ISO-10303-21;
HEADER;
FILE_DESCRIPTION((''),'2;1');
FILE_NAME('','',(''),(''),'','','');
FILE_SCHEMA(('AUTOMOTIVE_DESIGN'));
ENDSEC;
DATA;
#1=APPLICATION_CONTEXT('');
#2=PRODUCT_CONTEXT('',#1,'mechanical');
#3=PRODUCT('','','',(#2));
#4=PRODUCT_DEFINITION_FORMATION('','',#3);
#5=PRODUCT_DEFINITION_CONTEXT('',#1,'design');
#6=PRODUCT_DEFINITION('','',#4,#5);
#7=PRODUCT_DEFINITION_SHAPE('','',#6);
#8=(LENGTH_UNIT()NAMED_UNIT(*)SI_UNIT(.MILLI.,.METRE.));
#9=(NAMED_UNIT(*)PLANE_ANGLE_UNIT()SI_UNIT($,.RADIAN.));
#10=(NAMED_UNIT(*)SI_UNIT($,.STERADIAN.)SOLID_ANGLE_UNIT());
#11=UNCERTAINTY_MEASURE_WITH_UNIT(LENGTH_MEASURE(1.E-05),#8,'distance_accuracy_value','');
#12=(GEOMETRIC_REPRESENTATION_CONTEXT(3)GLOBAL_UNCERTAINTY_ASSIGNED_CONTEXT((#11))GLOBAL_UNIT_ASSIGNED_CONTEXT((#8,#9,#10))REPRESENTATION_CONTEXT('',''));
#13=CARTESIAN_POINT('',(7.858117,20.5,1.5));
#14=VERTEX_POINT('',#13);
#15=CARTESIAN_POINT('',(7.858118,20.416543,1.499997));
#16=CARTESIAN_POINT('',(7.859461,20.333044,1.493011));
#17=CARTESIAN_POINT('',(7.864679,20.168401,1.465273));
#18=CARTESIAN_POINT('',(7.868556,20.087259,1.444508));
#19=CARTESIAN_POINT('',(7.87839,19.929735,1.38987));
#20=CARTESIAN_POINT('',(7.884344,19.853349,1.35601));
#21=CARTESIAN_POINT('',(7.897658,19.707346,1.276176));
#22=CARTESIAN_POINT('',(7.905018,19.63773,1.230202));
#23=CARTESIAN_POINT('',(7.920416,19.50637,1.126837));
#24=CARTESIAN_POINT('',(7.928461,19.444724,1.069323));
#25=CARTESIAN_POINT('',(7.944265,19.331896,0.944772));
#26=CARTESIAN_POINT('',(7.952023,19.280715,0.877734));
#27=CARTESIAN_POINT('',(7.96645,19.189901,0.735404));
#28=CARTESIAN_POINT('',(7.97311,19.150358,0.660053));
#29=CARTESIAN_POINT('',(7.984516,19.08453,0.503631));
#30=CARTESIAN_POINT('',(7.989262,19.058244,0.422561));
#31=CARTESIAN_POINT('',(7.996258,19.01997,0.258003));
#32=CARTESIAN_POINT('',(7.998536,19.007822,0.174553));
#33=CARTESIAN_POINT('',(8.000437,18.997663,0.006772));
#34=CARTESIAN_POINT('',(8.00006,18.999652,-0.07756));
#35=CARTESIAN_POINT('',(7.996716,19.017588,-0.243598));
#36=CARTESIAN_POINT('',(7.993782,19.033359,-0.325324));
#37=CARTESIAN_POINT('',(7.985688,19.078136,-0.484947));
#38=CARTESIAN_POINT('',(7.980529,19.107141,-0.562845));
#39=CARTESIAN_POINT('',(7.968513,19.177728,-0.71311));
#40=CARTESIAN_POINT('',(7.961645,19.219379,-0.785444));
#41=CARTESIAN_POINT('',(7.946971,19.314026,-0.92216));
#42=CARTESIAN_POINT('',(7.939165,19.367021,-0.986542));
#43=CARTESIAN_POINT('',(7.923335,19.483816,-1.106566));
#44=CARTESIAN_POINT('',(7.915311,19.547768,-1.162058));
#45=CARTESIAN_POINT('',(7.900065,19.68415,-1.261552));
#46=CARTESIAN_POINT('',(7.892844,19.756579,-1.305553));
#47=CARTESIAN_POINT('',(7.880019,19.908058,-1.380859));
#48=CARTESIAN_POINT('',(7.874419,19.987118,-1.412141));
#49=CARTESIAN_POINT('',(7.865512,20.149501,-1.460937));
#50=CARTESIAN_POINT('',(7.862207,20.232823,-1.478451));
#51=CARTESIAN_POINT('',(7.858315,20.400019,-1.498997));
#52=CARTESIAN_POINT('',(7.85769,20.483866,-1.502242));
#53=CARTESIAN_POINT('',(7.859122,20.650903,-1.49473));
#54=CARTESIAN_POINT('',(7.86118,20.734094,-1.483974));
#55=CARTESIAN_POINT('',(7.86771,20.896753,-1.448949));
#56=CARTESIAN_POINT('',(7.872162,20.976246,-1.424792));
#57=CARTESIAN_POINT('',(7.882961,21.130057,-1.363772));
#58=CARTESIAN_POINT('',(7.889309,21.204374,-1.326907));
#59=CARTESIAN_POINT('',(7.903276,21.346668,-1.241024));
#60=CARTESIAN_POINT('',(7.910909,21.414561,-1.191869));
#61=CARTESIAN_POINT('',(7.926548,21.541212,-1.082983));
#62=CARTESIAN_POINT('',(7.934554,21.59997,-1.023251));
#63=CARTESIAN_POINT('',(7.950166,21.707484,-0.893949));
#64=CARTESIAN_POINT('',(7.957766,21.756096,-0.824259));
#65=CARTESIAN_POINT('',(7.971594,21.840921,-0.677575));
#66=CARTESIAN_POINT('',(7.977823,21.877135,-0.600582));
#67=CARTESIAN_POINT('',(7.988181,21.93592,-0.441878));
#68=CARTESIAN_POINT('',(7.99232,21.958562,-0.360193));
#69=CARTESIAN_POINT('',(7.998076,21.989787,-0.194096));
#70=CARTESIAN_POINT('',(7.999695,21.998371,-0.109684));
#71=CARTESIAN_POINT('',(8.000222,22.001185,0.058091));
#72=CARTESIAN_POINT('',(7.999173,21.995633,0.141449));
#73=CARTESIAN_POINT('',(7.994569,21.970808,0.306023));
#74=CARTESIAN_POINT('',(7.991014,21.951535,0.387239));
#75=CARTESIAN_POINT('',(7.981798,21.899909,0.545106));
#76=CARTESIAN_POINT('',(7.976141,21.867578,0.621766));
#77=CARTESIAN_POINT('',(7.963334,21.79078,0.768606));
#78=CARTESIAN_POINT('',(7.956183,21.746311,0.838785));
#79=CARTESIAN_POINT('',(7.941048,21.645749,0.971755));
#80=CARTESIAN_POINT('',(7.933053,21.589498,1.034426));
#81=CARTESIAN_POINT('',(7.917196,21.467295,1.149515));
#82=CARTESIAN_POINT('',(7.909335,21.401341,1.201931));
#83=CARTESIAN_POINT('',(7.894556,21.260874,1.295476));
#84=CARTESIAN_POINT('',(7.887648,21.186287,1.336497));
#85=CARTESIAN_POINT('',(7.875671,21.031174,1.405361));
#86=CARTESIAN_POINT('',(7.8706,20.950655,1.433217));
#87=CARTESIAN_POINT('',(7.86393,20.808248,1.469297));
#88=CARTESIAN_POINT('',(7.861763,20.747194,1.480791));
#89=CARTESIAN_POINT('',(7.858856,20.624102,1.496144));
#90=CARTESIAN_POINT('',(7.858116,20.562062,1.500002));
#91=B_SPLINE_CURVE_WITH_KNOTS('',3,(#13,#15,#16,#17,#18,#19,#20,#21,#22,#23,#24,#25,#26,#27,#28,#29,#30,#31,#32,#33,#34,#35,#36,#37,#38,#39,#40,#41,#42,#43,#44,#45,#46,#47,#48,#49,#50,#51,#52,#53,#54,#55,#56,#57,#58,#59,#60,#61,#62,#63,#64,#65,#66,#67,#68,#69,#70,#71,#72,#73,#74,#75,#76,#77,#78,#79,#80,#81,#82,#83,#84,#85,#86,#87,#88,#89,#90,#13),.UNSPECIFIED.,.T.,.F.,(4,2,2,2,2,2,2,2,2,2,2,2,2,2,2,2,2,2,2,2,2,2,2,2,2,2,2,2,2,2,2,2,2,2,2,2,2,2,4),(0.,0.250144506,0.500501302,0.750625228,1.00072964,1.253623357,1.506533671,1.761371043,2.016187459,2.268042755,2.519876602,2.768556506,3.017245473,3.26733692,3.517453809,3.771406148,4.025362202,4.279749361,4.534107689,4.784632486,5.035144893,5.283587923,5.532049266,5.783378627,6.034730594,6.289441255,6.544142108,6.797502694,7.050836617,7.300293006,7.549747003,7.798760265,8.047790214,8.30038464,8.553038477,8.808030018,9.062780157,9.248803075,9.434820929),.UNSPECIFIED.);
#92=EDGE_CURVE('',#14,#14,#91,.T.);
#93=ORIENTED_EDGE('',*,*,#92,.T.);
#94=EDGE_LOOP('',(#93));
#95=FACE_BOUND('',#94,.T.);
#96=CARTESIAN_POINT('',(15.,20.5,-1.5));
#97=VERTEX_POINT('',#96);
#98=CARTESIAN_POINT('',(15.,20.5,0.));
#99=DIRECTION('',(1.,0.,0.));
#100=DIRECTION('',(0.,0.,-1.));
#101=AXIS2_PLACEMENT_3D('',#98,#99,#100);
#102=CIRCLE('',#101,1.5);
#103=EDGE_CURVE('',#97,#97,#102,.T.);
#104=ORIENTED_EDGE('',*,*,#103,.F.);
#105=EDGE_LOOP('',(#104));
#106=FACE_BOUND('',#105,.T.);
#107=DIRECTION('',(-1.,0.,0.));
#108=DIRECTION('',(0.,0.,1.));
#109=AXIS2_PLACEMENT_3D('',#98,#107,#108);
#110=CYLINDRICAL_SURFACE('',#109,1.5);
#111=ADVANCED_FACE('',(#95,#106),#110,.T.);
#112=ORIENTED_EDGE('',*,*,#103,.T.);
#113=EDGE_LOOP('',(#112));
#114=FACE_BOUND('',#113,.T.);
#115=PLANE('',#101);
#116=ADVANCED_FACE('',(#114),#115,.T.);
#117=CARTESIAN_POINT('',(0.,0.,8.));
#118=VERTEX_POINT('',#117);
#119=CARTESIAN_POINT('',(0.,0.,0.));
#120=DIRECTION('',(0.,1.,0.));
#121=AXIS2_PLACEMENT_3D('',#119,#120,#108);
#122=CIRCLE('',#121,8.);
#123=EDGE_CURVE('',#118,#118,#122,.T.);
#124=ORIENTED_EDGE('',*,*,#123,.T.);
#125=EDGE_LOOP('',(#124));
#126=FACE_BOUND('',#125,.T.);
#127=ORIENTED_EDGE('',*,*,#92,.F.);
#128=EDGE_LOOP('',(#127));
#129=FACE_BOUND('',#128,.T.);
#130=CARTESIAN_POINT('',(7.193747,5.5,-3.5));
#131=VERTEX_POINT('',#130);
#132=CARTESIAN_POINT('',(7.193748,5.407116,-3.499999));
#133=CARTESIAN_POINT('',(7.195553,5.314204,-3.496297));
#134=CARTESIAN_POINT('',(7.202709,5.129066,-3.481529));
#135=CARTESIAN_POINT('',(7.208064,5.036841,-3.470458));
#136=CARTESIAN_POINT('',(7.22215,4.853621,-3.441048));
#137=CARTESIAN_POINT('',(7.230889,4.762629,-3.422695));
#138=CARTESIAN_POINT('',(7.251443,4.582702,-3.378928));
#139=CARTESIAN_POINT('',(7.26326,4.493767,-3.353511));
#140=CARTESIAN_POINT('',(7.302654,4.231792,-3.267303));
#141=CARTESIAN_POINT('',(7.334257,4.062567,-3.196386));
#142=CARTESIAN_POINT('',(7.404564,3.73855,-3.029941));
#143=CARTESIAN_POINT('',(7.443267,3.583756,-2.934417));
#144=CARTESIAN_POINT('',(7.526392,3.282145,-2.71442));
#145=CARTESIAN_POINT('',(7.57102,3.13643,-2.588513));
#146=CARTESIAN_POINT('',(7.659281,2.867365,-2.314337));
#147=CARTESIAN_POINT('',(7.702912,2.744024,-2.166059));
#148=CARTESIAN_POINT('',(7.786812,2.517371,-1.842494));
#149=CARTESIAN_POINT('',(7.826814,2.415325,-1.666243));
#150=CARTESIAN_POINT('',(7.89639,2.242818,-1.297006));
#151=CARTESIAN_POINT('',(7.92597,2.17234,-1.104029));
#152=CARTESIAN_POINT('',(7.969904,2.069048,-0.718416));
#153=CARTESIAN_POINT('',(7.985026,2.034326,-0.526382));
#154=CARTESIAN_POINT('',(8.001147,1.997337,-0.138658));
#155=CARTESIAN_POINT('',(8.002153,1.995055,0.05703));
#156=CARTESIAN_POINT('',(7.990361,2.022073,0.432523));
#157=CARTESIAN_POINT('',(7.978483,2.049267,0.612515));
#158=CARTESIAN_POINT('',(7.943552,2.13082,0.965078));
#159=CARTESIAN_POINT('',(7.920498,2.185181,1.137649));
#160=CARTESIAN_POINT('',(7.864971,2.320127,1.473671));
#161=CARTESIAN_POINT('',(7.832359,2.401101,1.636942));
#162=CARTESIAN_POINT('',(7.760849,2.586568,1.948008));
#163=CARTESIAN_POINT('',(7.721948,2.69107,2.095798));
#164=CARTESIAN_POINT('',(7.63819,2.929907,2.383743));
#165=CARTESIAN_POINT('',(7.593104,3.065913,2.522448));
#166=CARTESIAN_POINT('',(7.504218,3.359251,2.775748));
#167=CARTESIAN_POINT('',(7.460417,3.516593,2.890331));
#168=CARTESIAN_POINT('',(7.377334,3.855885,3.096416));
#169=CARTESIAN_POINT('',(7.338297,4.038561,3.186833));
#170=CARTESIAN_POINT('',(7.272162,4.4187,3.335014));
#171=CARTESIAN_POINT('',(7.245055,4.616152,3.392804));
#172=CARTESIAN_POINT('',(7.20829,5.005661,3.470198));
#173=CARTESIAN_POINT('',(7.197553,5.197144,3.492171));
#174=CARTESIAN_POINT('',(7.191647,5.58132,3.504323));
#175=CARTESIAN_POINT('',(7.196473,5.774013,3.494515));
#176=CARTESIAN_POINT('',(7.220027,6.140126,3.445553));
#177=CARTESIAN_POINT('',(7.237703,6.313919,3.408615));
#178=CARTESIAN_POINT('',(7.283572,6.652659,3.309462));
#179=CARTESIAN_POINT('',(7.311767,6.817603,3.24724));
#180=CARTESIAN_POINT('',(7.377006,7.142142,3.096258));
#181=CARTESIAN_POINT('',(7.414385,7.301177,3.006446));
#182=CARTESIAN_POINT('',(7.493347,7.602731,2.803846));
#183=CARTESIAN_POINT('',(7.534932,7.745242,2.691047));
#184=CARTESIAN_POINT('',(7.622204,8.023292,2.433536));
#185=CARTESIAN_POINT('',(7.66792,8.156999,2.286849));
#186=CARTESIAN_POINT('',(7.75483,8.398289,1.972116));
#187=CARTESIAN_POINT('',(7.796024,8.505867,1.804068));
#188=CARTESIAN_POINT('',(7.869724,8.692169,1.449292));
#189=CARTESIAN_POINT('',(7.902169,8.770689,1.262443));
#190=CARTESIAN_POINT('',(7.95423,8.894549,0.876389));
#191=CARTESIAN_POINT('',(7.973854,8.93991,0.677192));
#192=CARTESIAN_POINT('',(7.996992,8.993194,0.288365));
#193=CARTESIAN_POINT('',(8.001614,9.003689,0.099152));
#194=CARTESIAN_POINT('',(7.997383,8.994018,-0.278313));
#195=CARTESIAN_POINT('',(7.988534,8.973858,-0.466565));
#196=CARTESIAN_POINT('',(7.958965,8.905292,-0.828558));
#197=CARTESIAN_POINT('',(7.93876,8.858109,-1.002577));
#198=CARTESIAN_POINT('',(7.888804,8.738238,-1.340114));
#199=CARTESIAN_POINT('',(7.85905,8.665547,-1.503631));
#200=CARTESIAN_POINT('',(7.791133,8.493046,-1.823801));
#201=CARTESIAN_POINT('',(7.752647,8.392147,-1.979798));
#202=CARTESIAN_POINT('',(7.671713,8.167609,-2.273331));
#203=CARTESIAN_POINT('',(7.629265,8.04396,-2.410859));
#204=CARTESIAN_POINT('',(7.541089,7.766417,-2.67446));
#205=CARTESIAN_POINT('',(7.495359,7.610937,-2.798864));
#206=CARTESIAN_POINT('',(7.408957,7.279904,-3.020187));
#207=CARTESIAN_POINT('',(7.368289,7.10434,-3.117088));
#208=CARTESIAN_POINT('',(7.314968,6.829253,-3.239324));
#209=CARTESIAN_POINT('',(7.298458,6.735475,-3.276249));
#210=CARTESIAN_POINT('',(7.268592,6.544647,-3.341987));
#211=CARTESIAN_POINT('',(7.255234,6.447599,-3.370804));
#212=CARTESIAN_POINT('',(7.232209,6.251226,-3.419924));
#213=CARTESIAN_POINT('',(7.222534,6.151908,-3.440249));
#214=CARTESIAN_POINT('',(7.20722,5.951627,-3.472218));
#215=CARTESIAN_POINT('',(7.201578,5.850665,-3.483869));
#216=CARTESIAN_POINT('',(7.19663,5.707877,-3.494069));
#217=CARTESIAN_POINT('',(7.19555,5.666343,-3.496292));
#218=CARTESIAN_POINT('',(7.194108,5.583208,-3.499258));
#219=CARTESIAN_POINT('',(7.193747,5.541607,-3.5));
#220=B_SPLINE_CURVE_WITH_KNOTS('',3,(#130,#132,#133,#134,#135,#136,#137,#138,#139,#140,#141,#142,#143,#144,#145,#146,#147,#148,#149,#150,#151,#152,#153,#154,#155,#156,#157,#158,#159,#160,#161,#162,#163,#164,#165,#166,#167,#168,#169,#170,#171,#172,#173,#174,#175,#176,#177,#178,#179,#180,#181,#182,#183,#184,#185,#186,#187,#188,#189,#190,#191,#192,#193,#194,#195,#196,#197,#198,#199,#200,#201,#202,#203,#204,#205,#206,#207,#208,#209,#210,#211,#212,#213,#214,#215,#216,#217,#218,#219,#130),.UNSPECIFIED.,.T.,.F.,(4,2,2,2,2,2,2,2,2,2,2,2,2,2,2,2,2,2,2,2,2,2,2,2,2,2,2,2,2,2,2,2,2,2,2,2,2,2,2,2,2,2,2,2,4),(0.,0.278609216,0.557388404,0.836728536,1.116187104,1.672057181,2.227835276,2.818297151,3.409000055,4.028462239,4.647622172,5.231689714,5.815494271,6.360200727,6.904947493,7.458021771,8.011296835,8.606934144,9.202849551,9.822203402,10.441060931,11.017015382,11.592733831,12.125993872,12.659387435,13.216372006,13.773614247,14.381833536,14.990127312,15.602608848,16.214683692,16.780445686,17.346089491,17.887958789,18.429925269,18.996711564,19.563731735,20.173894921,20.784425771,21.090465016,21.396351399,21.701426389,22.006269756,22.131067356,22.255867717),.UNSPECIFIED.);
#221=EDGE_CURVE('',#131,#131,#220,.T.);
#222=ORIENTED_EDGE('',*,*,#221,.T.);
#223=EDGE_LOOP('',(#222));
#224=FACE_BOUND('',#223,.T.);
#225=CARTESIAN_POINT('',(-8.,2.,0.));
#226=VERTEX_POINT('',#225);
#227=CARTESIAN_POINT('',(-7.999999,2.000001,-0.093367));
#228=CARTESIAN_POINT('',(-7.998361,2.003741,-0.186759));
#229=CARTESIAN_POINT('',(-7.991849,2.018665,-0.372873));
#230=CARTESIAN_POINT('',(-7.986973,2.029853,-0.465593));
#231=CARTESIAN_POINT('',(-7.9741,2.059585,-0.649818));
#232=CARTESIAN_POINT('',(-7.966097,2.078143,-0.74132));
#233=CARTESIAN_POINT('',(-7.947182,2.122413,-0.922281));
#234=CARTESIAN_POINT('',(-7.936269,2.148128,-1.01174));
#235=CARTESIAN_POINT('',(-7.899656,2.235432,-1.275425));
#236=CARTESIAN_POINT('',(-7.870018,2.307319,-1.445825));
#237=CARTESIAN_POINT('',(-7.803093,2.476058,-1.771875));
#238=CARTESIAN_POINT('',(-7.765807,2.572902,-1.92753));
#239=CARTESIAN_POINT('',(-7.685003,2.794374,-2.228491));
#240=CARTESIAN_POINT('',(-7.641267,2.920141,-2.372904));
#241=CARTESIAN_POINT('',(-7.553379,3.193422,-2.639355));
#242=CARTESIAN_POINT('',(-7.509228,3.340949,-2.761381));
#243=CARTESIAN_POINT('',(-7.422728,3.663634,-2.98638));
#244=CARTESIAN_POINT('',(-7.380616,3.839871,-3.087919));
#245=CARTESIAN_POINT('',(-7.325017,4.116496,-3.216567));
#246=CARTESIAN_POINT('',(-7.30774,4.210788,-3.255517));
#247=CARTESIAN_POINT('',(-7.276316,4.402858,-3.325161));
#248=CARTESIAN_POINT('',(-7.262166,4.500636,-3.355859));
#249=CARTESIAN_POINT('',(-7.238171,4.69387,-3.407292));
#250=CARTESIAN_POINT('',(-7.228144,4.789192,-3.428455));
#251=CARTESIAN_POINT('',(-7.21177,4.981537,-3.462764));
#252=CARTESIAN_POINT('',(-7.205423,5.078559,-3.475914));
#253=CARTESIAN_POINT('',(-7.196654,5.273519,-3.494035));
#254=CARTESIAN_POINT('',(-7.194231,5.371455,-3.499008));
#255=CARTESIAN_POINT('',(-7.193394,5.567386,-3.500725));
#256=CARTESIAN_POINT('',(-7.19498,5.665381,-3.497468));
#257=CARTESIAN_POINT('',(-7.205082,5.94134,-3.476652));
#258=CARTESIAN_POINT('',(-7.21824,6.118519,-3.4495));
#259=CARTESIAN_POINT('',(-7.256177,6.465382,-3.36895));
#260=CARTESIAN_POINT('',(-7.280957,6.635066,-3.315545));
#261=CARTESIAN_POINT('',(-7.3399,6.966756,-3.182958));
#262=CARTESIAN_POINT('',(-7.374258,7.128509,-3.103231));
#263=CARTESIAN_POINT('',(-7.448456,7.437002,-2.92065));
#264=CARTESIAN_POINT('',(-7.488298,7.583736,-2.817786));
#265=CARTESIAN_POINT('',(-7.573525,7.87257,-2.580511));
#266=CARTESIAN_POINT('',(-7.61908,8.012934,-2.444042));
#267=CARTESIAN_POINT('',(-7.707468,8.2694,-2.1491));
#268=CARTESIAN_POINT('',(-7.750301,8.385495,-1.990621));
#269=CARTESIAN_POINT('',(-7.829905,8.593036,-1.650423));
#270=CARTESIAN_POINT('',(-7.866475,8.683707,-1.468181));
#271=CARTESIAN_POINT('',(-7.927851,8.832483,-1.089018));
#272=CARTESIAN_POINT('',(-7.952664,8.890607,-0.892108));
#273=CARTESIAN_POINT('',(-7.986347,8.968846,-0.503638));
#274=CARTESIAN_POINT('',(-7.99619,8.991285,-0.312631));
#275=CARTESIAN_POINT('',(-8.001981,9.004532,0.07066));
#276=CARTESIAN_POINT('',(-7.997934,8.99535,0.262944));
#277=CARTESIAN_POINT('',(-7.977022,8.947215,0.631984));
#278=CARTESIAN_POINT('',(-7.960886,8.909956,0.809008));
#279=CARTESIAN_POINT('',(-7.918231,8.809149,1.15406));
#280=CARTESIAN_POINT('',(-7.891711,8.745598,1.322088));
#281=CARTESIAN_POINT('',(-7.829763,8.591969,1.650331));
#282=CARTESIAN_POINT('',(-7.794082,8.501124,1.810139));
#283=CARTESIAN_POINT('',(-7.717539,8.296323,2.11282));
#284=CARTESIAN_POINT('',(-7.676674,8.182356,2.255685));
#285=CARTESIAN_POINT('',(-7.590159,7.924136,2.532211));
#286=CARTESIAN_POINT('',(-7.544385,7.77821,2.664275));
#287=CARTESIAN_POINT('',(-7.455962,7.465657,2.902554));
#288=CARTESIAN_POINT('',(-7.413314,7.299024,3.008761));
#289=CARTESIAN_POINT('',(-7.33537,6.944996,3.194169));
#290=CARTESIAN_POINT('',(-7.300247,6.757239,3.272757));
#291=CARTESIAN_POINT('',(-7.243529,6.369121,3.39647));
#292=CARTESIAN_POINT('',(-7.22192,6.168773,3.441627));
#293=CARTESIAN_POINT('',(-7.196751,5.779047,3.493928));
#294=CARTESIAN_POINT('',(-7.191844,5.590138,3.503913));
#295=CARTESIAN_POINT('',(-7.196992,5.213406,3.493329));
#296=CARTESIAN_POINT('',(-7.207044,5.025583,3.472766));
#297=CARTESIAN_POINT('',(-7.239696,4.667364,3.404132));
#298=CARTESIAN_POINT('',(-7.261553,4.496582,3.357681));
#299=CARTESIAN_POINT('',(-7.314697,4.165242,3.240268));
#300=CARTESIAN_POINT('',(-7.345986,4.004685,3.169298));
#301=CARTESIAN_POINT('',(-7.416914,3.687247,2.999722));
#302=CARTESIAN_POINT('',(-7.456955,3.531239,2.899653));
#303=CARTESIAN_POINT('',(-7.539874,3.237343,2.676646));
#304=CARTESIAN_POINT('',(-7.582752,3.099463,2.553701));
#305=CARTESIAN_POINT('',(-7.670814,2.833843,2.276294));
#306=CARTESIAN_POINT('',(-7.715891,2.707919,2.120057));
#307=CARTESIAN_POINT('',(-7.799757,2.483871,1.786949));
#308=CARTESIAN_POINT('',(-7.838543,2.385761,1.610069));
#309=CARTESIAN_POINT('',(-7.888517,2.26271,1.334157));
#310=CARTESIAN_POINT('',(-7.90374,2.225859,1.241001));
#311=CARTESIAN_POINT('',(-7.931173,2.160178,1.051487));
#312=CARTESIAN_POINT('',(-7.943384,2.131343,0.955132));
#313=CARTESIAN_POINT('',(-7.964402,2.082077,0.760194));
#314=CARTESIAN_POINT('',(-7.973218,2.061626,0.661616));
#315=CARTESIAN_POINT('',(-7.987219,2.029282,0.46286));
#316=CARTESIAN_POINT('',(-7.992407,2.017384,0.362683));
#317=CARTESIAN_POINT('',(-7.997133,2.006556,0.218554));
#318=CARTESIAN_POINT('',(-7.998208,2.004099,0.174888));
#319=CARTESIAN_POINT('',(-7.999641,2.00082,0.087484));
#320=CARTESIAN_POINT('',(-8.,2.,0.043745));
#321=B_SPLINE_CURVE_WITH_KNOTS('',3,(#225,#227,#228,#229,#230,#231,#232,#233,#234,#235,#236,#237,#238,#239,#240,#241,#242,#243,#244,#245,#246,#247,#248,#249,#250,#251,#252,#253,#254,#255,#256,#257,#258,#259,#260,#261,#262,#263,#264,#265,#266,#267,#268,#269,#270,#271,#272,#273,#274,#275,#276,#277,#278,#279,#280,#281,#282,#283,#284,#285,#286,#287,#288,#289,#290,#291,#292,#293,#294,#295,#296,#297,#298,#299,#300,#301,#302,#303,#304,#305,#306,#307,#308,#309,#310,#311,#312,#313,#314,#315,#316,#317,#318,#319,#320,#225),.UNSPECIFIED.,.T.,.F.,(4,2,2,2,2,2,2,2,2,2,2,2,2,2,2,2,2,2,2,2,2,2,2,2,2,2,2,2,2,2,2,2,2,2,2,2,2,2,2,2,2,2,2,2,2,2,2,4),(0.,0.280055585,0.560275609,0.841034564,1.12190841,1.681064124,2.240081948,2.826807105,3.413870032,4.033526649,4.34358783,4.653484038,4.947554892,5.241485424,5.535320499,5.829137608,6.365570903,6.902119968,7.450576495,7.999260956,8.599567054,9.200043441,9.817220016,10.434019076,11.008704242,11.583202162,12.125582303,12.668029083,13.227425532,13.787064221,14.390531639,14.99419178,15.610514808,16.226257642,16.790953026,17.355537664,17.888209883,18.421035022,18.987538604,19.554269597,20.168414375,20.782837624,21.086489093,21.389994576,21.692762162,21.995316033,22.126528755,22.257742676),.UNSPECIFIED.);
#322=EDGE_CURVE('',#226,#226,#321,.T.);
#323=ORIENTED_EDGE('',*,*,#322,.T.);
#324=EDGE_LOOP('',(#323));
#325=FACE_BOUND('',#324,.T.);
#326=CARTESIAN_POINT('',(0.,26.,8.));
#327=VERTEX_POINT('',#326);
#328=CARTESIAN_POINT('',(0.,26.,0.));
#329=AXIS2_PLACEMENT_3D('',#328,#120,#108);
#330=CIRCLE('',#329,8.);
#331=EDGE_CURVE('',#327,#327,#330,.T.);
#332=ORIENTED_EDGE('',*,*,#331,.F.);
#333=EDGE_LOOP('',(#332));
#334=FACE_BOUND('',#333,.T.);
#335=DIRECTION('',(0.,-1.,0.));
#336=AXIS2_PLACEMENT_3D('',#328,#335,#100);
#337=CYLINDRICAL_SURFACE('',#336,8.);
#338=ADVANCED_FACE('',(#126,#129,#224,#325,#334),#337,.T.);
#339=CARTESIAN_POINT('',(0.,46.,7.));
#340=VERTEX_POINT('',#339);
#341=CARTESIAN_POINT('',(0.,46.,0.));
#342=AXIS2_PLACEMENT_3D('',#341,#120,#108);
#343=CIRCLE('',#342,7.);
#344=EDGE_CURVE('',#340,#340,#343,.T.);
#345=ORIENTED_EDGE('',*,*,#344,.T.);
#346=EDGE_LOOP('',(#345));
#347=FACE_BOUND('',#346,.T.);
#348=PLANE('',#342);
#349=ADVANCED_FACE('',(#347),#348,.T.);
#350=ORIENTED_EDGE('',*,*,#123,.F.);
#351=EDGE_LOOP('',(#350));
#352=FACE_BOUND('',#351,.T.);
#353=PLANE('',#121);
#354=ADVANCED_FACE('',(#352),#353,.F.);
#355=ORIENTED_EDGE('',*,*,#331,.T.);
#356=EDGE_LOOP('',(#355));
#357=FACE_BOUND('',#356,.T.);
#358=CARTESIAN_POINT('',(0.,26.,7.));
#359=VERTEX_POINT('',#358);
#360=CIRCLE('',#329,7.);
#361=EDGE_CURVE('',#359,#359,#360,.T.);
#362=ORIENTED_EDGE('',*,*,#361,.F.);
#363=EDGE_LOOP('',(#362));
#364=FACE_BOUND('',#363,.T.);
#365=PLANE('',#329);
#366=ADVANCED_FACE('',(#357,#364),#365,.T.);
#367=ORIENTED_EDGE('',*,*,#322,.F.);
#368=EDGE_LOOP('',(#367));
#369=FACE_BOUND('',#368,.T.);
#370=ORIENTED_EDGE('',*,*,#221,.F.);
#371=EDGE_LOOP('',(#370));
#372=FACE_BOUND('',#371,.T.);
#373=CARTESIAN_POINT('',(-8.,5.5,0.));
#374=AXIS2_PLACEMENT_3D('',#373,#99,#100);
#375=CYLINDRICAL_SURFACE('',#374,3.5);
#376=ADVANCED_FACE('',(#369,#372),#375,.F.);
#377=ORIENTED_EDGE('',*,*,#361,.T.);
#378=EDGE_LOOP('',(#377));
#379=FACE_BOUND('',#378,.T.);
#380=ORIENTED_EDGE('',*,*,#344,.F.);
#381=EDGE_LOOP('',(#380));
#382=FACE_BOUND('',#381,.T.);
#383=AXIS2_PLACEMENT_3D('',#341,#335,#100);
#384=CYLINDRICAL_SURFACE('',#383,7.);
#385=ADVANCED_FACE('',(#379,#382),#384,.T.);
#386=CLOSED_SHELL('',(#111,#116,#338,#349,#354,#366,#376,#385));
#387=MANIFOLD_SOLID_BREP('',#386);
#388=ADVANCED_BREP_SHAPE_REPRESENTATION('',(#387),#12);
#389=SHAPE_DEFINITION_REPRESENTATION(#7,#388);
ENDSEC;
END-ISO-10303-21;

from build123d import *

# Parameters (mm, degrees)
SKETCH2_R               = 8
BOSS_EXTRUDE1_DEPTH     = 26
CUT_EXTRUDE1_DEPTH      = 29.354893758
CUT_EXTRUDE1_DEPTH_BACK = 29.354893758
SKETCH3_R               = 3.5
SKETCH4_R               = 1.5
BOSS_EXTRUDE2_DEPTH     = 15
SKETCH6_R               = 7
BOSS_EXTRUDE3_DEPTH     = 20


with BuildPart() as part:
    # Sketch2 → Boss-Extrude1 (new body)
    with BuildSketch(Plane(origin=(0, 0, 0), x_dir=(1, 0, 0), z_dir=(0, 1, 0))):
        with Locations(Location((0, 0, 0), (0, 0, 90))):
            Circle(SKETCH2_R)
    extrude(amount=BOSS_EXTRUDE1_DEPTH)

    # Sketch3 → Cut-Extrude1 (cut, two sides: drawn at the far end of the back side and taken through both)
    with BuildSketch(Plane(origin=(0, 0, 0), x_dir=(0, 0, -1), z_dir=(1, 0, 0)).offset(-CUT_EXTRUDE1_DEPTH_BACK)):
        with Locations((0, 5.5)):
            Circle(SKETCH3_R)
    extrude(amount=CUT_EXTRUDE1_DEPTH + CUT_EXTRUDE1_DEPTH_BACK, mode=Mode.SUBTRACT)

    # Sketch4 → Boss-Extrude2 (add)
    with BuildSketch(Plane(origin=(0, 0, 0), x_dir=(0, 0, -1), z_dir=(1, 0, 0))):
        with Locations(Location((0, 20.5, 0), (0, 0, 180))):
            Circle(SKETCH4_R)
    extrude(amount=BOSS_EXTRUDE2_DEPTH)

    # Sketch6 → Boss-Extrude3 (add)
    with BuildSketch(Plane(origin=(0, 26, 0), x_dir=(1, 0, 0), z_dir=(0, 1, 0))):
        with Locations(Location((0, 0, 0), (0, 0, 270))):
            Circle(SKETCH6_R)
    extrude(amount=BOSS_EXTRUDE3_DEPTH)


solid = part.part
